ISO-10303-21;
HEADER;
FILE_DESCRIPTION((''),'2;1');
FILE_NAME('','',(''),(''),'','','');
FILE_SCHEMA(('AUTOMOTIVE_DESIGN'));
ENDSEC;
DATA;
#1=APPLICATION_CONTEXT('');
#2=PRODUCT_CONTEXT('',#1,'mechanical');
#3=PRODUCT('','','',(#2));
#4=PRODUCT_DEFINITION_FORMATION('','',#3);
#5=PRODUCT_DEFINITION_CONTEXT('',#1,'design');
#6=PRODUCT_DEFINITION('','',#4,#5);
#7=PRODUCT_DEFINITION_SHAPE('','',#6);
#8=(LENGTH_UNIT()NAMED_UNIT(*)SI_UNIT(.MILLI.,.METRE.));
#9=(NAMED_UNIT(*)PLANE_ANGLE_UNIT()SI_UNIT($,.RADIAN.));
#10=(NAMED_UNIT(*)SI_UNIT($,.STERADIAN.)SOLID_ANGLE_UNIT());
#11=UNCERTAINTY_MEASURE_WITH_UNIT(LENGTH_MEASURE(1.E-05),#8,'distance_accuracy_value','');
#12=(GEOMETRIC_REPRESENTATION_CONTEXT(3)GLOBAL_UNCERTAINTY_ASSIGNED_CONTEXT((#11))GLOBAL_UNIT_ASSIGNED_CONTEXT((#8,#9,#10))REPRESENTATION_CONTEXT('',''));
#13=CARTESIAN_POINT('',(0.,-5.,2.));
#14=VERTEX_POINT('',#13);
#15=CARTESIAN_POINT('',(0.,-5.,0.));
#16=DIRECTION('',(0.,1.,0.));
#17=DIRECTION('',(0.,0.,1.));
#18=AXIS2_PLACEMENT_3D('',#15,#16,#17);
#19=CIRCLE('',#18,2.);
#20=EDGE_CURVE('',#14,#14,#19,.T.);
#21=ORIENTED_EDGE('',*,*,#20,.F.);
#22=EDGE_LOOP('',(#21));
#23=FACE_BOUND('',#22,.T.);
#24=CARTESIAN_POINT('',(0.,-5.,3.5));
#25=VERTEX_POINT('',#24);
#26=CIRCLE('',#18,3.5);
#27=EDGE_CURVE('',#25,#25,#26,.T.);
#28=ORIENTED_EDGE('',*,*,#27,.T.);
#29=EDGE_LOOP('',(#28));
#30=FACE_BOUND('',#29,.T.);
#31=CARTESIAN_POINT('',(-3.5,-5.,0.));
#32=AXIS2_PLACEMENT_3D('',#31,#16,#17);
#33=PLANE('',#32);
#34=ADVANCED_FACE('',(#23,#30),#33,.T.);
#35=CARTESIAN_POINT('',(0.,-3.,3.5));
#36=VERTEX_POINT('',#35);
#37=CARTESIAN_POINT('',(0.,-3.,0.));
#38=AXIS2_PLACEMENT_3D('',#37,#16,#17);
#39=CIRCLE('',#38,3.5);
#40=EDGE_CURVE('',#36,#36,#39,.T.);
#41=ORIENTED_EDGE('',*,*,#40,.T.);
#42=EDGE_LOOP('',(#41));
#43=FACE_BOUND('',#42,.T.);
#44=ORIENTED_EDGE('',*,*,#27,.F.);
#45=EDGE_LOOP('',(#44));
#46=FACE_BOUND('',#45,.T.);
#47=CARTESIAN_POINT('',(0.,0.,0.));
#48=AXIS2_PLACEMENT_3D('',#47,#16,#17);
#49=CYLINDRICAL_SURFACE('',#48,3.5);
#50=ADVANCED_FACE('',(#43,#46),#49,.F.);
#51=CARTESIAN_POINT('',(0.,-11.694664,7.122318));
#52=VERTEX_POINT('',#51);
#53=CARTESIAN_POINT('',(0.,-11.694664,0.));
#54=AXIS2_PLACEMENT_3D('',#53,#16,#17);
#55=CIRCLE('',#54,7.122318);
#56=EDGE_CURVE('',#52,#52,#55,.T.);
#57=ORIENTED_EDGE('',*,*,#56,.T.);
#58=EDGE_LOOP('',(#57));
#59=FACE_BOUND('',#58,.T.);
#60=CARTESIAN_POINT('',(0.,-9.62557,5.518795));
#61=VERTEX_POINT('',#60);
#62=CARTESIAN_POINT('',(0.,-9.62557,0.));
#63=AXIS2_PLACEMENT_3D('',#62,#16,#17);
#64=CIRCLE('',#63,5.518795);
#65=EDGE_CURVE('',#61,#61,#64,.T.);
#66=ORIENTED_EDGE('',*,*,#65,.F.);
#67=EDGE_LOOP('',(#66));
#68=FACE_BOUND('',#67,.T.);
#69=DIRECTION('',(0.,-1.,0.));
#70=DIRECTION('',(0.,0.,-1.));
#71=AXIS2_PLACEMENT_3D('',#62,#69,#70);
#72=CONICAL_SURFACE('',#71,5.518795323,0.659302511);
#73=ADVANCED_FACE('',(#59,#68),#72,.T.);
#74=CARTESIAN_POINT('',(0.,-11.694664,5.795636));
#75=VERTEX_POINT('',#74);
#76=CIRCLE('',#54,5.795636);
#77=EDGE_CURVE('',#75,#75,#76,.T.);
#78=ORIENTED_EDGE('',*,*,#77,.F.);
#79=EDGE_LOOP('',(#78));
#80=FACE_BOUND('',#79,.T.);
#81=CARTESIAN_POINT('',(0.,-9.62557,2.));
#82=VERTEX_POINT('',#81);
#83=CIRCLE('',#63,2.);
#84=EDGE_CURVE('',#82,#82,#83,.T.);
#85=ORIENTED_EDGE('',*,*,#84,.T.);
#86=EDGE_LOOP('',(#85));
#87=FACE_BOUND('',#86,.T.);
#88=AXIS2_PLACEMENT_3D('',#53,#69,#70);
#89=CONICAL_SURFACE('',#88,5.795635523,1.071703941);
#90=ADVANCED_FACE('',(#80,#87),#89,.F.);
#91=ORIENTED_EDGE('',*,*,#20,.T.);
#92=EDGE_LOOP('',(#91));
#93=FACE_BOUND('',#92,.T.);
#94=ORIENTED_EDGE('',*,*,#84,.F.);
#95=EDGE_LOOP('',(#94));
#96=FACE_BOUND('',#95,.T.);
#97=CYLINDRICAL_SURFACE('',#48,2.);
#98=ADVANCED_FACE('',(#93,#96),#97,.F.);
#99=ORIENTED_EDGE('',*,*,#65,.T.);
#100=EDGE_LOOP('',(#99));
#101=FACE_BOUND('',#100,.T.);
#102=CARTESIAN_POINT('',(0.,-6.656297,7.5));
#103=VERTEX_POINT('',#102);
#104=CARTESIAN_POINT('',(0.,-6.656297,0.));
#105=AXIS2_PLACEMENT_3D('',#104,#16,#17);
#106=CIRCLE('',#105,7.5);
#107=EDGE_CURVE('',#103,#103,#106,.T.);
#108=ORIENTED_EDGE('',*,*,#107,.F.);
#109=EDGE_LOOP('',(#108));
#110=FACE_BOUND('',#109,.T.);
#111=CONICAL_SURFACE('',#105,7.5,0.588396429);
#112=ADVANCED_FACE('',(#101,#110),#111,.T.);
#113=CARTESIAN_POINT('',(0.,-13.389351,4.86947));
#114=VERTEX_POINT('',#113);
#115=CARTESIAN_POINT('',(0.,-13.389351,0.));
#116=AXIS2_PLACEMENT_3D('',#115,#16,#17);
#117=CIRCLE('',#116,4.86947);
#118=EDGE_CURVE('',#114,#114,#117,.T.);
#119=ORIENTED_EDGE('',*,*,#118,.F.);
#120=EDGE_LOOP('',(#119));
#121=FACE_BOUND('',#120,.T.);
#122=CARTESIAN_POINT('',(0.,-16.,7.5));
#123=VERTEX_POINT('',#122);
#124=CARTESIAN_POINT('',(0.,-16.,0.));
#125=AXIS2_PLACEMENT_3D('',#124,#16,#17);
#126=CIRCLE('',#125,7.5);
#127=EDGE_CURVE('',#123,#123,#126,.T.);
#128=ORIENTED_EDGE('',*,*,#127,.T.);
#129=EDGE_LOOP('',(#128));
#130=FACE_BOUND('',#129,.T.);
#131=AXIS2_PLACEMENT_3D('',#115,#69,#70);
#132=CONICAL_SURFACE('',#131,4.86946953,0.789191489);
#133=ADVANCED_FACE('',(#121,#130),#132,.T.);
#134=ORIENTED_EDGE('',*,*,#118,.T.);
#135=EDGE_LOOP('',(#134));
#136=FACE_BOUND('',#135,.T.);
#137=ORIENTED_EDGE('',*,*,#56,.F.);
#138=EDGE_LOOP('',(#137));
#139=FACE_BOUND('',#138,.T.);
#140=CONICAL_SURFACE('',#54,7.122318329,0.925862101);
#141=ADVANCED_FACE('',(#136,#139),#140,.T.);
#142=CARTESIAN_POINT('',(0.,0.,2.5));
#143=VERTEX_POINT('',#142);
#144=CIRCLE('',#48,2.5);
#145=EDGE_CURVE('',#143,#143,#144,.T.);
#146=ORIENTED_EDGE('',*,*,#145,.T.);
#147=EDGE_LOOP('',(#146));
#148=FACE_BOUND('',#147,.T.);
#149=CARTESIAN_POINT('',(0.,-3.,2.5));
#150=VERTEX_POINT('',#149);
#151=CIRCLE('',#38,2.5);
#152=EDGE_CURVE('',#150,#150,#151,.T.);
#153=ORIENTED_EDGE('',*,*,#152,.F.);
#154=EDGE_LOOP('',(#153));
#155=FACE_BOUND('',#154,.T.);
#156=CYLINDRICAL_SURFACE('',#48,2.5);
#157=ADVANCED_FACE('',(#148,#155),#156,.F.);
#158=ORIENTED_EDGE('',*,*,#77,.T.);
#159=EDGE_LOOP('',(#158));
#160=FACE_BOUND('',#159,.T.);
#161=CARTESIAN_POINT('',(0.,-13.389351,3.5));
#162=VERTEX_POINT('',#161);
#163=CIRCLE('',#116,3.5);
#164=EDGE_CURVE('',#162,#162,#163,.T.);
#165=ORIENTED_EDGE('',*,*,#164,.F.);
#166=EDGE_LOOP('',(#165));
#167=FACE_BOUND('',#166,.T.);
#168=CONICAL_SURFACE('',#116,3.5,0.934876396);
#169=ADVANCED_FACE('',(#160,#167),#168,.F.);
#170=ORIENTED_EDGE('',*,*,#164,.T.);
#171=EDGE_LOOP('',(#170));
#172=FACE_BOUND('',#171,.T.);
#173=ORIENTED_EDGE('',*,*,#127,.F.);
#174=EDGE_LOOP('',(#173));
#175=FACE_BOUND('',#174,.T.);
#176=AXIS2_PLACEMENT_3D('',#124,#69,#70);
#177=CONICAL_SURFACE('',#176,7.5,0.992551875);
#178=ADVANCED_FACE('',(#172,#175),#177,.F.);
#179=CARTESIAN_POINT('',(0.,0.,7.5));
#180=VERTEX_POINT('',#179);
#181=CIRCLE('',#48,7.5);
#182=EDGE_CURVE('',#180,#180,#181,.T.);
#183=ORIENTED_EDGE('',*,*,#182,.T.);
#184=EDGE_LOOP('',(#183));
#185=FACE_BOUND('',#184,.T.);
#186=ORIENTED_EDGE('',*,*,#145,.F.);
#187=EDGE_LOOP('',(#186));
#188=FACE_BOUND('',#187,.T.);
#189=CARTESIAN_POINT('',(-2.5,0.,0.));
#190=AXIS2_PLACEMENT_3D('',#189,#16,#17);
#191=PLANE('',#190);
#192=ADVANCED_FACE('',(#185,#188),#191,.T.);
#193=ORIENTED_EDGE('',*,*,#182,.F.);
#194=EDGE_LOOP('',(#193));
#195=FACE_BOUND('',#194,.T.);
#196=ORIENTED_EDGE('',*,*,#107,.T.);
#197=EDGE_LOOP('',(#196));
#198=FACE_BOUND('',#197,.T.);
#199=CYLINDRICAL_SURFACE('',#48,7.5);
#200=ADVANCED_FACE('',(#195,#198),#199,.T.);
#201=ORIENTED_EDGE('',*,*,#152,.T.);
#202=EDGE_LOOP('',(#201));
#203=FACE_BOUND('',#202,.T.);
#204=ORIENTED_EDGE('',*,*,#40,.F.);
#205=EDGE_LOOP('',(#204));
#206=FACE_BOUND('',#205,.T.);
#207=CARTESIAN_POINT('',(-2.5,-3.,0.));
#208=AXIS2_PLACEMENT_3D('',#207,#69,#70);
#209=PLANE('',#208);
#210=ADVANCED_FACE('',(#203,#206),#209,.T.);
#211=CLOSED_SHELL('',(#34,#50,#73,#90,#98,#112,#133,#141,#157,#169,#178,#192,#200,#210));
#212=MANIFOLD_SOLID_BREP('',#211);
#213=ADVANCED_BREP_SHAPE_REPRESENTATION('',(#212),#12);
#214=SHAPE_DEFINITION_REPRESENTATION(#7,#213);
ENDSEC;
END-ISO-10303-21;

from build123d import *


with BuildPart() as part:
    # Esquisse1 → Révolution1 (revolve)
    with BuildSketch(Plane.XY):
        Polygon((-2.5, 0), (-2.5, -3), (-3.5, -3), (-3.5, -5), (-2, -5), (-2, -9.625570175), (-5.795635523, -11.694664415), (-3.5, -13.389351126), (-7.5, -16), (-4.86946953, -13.389351126), (-7.122318329, -11.694664415), (-5.518795323, -9.625570175), (-7.5, -6.656297472), (-7.5, 0), align=None)
    revolve(axis=Axis((0, 0, 0), (0, -1, 0)))


solid = part.part
